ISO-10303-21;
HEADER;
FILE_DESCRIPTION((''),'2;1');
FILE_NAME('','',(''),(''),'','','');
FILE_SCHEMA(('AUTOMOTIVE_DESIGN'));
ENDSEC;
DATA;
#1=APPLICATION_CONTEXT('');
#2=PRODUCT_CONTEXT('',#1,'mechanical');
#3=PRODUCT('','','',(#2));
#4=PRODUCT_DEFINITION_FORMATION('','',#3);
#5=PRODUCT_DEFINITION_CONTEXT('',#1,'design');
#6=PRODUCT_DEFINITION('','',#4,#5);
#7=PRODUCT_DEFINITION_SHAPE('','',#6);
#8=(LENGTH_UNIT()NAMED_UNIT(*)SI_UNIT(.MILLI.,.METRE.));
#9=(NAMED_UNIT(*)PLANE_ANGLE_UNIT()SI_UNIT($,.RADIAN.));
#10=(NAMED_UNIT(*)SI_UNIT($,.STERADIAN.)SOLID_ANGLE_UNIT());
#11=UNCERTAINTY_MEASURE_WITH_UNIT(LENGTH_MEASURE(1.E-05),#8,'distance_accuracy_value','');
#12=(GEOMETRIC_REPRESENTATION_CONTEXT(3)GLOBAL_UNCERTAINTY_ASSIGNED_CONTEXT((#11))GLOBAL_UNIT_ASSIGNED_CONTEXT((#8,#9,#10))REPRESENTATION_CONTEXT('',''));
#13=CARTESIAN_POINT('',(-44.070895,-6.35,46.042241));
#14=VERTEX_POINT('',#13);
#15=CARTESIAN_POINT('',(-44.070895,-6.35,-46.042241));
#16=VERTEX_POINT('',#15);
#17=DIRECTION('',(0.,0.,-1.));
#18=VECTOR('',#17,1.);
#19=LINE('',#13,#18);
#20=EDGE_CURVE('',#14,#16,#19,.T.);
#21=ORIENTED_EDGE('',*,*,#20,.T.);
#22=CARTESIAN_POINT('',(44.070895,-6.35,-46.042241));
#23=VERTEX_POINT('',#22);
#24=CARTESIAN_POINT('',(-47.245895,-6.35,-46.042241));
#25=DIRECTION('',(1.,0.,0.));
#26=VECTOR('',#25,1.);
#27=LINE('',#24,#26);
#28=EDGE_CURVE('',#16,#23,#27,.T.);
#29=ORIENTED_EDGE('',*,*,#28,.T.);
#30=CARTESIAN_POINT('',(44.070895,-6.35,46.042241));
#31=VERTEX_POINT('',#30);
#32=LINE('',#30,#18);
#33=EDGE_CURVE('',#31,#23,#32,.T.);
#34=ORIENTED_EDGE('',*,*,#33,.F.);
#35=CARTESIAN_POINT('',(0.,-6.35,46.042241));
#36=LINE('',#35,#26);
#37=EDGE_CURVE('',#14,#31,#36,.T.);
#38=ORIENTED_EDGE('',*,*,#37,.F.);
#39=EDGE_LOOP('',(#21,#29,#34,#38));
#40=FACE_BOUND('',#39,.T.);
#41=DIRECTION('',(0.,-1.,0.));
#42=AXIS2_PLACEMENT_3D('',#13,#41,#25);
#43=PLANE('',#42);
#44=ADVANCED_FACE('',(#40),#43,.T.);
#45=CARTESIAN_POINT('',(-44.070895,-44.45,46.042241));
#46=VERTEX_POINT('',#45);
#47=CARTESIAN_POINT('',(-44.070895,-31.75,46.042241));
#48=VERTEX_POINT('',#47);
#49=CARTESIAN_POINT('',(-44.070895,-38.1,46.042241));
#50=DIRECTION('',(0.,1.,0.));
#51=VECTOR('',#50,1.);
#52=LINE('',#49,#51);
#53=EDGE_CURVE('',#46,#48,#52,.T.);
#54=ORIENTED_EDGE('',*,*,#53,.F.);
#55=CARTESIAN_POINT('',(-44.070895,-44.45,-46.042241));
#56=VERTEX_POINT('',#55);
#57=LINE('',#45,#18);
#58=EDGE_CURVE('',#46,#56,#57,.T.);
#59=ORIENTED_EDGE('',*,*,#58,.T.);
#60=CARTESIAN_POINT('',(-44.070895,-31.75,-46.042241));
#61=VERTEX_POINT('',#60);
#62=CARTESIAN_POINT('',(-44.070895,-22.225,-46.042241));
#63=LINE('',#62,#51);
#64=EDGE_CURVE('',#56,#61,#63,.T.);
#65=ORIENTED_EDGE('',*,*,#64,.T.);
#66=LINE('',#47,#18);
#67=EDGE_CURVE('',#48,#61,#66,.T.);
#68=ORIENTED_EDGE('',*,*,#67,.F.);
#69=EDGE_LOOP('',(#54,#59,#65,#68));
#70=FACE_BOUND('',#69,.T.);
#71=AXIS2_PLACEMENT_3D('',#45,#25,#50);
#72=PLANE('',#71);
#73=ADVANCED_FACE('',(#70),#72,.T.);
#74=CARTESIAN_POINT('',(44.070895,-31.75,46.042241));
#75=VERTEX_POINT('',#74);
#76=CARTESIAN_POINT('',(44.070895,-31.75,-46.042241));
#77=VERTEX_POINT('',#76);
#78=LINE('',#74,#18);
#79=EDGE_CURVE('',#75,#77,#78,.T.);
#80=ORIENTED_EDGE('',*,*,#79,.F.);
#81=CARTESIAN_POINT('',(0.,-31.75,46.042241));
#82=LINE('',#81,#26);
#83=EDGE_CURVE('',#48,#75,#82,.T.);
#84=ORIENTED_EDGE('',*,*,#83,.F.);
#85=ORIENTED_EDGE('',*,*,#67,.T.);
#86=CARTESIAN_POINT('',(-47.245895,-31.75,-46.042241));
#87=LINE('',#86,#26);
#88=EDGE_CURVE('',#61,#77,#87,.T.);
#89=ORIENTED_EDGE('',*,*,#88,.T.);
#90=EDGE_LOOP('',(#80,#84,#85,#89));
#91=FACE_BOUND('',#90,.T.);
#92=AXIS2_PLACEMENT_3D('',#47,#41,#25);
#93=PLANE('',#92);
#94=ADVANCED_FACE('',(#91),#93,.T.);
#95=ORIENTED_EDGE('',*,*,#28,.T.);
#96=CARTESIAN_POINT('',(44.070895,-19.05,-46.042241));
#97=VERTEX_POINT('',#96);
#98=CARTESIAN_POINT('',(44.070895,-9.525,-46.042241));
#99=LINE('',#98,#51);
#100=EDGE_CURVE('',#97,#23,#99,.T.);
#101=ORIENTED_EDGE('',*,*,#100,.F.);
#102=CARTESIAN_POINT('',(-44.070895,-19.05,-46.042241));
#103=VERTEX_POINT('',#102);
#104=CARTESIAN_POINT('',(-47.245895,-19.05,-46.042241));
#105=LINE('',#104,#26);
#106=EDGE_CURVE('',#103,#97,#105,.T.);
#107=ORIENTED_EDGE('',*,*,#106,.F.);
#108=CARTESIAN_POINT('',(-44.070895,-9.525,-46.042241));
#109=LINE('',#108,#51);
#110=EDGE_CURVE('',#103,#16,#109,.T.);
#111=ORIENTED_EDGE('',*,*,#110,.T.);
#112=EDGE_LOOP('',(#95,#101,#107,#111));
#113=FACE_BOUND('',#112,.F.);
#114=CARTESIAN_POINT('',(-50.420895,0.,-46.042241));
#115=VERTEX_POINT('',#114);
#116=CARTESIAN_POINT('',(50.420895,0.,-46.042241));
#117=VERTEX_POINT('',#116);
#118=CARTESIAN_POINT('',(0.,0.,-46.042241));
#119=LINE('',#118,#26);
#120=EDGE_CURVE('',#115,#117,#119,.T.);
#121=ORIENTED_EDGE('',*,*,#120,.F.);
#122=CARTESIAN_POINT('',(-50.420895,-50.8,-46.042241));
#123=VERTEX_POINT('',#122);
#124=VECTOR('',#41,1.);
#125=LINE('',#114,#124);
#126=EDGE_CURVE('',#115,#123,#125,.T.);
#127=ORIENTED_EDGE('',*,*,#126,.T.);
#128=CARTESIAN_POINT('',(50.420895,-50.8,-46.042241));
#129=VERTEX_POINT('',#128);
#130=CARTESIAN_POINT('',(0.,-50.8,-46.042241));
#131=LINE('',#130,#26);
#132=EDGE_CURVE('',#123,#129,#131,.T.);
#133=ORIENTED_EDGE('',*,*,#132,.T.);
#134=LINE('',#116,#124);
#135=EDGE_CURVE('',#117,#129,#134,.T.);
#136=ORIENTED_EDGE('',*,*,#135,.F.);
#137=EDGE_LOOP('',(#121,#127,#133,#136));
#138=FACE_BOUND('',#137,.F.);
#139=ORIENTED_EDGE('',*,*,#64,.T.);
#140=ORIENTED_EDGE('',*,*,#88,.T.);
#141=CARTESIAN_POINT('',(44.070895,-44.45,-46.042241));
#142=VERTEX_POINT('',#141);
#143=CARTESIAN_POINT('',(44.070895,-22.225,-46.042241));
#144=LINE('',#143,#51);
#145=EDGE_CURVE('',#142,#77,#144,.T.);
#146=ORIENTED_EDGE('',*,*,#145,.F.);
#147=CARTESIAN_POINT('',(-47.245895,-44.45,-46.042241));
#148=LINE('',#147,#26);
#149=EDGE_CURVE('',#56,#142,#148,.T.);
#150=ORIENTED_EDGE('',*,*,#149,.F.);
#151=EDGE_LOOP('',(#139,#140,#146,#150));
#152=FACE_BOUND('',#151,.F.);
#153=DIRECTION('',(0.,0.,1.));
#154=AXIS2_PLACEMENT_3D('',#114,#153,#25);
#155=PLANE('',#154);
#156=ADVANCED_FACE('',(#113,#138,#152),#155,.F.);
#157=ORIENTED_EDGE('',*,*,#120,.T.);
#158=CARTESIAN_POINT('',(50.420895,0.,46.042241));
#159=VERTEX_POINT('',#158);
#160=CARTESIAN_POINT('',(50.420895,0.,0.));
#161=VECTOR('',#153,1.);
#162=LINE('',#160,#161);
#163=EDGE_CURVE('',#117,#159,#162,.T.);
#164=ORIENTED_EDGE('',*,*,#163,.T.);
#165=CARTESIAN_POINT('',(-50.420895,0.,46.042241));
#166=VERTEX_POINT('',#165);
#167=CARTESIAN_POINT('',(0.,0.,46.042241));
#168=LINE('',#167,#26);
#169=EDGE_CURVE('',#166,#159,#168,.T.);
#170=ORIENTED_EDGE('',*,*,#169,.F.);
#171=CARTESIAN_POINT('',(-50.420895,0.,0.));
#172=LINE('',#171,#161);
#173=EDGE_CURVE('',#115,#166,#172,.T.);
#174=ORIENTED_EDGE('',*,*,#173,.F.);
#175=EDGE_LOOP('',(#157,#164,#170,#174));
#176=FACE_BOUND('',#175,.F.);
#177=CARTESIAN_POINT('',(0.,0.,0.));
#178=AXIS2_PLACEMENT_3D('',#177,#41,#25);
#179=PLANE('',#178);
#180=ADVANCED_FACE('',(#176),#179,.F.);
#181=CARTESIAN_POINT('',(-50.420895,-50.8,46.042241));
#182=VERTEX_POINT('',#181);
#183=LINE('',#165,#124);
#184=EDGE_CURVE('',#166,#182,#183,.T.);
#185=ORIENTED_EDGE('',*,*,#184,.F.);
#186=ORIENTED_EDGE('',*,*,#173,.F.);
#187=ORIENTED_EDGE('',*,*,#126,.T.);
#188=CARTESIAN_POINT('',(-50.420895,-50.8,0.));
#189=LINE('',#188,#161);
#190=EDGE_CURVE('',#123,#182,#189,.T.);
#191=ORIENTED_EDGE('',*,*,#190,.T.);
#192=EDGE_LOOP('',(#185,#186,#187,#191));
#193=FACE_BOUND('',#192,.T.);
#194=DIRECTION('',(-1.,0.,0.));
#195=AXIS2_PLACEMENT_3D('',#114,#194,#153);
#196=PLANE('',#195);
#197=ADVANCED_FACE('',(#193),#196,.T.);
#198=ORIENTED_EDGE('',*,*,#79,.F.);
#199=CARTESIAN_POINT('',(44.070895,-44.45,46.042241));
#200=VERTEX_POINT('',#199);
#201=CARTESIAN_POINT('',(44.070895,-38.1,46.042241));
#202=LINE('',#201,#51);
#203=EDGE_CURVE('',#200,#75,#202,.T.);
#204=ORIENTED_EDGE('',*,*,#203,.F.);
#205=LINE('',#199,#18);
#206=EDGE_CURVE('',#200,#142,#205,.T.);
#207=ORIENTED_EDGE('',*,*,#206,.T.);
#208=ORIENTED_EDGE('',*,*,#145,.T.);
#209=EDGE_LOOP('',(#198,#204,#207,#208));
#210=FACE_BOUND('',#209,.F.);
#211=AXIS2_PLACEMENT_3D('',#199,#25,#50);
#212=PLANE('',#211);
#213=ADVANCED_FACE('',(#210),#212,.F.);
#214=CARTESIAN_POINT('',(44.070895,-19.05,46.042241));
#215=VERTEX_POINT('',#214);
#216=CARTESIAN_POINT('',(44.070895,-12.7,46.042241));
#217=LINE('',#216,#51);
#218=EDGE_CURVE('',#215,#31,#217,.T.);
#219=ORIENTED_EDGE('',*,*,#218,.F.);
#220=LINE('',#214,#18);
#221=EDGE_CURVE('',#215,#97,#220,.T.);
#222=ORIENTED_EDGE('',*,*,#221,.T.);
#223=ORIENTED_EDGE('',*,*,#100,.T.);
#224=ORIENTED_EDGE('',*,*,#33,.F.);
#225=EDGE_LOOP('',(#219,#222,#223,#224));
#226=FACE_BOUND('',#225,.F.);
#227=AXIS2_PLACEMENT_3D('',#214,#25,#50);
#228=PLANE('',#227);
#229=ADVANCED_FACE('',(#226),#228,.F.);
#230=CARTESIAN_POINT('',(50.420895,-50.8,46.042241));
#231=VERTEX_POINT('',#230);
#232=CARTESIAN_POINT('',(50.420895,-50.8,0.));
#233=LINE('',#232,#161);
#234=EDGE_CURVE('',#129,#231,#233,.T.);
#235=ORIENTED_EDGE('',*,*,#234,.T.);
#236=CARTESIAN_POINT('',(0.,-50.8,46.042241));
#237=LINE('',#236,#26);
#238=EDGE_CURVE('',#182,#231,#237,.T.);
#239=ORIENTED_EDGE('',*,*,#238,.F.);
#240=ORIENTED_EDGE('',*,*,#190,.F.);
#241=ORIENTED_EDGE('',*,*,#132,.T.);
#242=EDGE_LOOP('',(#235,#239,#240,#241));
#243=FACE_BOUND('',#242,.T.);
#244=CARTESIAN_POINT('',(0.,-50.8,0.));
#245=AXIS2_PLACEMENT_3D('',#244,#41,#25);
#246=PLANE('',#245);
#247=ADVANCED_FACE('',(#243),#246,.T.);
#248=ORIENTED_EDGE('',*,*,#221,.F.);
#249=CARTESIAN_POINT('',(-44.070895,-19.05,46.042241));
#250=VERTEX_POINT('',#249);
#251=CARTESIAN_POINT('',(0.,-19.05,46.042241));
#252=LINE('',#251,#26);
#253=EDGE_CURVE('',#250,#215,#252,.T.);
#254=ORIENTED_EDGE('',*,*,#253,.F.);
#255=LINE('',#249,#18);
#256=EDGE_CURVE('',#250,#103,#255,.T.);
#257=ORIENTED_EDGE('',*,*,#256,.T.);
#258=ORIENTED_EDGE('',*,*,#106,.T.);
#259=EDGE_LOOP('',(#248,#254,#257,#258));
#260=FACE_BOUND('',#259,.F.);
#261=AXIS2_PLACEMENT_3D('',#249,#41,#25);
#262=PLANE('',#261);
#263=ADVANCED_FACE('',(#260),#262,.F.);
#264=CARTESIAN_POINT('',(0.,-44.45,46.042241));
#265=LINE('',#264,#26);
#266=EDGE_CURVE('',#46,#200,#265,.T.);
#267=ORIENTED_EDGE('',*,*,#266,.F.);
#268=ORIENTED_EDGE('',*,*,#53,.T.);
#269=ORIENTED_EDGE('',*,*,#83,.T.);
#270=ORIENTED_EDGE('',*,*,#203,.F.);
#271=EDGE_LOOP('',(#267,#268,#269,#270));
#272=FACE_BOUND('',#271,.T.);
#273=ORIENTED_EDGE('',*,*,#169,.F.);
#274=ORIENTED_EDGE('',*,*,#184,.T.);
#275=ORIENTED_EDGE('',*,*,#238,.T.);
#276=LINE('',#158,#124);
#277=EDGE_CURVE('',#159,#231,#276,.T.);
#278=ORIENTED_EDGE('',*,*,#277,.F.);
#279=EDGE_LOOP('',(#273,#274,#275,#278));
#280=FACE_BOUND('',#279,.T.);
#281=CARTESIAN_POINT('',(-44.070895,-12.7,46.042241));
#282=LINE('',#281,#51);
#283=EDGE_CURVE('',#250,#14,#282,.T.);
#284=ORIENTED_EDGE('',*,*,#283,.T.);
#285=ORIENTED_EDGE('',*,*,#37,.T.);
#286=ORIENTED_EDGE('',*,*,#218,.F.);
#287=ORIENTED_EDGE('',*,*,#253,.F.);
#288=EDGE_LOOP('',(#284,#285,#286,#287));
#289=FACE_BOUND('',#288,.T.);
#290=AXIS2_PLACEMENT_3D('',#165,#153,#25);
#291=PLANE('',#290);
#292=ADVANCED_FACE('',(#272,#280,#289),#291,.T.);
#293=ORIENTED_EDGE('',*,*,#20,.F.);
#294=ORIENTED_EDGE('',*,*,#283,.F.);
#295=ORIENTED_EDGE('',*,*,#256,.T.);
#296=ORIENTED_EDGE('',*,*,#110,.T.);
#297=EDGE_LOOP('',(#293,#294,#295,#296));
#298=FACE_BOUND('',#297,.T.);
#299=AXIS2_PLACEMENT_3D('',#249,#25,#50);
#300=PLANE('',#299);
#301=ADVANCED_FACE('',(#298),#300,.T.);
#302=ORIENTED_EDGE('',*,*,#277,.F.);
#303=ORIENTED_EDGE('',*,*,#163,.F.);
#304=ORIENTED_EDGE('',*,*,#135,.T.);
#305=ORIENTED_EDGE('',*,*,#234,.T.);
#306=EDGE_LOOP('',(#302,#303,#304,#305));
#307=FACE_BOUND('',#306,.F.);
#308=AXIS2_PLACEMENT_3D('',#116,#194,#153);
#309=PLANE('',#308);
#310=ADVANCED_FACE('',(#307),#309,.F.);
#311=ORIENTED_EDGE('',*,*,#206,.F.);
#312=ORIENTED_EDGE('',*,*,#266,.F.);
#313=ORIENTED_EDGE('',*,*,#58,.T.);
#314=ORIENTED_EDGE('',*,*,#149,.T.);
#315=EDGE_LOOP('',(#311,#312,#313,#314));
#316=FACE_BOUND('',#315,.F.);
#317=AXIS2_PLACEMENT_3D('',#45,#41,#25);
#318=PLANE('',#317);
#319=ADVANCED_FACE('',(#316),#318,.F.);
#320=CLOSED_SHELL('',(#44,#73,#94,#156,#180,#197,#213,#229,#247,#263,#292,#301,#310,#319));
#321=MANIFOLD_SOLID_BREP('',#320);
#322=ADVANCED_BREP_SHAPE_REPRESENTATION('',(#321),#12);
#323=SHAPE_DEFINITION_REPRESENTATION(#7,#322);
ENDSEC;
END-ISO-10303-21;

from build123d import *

# Parameters (mm, degrees)
F0_W     = 100.84179
F0_H     = 92.084482
F1_DEPTH = 50.8
F2_W     = 88.14179
F2_H     = 12.7
F3_DEPTH = 101.6


with BuildPart() as f1:
    # F0 (on Front) → F1 (new body)
    with BuildSketch(Plane.XZ):
        Rectangle(F0_W, F0_H)
    extrude(amount=F1_DEPTH)

    # F2 (on face) → F3 (cut)
    with BuildSketch(Plane.XY.offset(46.042241)):
        with Locations((0, -12.7)):
            Rectangle(F2_W, F2_H)
        with Locations((0, -38.1)):
            Rectangle(F2_W, F2_H)
    extrude(amount=-F3_DEPTH, mode=Mode.SUBTRACT)


solid = f1.part
